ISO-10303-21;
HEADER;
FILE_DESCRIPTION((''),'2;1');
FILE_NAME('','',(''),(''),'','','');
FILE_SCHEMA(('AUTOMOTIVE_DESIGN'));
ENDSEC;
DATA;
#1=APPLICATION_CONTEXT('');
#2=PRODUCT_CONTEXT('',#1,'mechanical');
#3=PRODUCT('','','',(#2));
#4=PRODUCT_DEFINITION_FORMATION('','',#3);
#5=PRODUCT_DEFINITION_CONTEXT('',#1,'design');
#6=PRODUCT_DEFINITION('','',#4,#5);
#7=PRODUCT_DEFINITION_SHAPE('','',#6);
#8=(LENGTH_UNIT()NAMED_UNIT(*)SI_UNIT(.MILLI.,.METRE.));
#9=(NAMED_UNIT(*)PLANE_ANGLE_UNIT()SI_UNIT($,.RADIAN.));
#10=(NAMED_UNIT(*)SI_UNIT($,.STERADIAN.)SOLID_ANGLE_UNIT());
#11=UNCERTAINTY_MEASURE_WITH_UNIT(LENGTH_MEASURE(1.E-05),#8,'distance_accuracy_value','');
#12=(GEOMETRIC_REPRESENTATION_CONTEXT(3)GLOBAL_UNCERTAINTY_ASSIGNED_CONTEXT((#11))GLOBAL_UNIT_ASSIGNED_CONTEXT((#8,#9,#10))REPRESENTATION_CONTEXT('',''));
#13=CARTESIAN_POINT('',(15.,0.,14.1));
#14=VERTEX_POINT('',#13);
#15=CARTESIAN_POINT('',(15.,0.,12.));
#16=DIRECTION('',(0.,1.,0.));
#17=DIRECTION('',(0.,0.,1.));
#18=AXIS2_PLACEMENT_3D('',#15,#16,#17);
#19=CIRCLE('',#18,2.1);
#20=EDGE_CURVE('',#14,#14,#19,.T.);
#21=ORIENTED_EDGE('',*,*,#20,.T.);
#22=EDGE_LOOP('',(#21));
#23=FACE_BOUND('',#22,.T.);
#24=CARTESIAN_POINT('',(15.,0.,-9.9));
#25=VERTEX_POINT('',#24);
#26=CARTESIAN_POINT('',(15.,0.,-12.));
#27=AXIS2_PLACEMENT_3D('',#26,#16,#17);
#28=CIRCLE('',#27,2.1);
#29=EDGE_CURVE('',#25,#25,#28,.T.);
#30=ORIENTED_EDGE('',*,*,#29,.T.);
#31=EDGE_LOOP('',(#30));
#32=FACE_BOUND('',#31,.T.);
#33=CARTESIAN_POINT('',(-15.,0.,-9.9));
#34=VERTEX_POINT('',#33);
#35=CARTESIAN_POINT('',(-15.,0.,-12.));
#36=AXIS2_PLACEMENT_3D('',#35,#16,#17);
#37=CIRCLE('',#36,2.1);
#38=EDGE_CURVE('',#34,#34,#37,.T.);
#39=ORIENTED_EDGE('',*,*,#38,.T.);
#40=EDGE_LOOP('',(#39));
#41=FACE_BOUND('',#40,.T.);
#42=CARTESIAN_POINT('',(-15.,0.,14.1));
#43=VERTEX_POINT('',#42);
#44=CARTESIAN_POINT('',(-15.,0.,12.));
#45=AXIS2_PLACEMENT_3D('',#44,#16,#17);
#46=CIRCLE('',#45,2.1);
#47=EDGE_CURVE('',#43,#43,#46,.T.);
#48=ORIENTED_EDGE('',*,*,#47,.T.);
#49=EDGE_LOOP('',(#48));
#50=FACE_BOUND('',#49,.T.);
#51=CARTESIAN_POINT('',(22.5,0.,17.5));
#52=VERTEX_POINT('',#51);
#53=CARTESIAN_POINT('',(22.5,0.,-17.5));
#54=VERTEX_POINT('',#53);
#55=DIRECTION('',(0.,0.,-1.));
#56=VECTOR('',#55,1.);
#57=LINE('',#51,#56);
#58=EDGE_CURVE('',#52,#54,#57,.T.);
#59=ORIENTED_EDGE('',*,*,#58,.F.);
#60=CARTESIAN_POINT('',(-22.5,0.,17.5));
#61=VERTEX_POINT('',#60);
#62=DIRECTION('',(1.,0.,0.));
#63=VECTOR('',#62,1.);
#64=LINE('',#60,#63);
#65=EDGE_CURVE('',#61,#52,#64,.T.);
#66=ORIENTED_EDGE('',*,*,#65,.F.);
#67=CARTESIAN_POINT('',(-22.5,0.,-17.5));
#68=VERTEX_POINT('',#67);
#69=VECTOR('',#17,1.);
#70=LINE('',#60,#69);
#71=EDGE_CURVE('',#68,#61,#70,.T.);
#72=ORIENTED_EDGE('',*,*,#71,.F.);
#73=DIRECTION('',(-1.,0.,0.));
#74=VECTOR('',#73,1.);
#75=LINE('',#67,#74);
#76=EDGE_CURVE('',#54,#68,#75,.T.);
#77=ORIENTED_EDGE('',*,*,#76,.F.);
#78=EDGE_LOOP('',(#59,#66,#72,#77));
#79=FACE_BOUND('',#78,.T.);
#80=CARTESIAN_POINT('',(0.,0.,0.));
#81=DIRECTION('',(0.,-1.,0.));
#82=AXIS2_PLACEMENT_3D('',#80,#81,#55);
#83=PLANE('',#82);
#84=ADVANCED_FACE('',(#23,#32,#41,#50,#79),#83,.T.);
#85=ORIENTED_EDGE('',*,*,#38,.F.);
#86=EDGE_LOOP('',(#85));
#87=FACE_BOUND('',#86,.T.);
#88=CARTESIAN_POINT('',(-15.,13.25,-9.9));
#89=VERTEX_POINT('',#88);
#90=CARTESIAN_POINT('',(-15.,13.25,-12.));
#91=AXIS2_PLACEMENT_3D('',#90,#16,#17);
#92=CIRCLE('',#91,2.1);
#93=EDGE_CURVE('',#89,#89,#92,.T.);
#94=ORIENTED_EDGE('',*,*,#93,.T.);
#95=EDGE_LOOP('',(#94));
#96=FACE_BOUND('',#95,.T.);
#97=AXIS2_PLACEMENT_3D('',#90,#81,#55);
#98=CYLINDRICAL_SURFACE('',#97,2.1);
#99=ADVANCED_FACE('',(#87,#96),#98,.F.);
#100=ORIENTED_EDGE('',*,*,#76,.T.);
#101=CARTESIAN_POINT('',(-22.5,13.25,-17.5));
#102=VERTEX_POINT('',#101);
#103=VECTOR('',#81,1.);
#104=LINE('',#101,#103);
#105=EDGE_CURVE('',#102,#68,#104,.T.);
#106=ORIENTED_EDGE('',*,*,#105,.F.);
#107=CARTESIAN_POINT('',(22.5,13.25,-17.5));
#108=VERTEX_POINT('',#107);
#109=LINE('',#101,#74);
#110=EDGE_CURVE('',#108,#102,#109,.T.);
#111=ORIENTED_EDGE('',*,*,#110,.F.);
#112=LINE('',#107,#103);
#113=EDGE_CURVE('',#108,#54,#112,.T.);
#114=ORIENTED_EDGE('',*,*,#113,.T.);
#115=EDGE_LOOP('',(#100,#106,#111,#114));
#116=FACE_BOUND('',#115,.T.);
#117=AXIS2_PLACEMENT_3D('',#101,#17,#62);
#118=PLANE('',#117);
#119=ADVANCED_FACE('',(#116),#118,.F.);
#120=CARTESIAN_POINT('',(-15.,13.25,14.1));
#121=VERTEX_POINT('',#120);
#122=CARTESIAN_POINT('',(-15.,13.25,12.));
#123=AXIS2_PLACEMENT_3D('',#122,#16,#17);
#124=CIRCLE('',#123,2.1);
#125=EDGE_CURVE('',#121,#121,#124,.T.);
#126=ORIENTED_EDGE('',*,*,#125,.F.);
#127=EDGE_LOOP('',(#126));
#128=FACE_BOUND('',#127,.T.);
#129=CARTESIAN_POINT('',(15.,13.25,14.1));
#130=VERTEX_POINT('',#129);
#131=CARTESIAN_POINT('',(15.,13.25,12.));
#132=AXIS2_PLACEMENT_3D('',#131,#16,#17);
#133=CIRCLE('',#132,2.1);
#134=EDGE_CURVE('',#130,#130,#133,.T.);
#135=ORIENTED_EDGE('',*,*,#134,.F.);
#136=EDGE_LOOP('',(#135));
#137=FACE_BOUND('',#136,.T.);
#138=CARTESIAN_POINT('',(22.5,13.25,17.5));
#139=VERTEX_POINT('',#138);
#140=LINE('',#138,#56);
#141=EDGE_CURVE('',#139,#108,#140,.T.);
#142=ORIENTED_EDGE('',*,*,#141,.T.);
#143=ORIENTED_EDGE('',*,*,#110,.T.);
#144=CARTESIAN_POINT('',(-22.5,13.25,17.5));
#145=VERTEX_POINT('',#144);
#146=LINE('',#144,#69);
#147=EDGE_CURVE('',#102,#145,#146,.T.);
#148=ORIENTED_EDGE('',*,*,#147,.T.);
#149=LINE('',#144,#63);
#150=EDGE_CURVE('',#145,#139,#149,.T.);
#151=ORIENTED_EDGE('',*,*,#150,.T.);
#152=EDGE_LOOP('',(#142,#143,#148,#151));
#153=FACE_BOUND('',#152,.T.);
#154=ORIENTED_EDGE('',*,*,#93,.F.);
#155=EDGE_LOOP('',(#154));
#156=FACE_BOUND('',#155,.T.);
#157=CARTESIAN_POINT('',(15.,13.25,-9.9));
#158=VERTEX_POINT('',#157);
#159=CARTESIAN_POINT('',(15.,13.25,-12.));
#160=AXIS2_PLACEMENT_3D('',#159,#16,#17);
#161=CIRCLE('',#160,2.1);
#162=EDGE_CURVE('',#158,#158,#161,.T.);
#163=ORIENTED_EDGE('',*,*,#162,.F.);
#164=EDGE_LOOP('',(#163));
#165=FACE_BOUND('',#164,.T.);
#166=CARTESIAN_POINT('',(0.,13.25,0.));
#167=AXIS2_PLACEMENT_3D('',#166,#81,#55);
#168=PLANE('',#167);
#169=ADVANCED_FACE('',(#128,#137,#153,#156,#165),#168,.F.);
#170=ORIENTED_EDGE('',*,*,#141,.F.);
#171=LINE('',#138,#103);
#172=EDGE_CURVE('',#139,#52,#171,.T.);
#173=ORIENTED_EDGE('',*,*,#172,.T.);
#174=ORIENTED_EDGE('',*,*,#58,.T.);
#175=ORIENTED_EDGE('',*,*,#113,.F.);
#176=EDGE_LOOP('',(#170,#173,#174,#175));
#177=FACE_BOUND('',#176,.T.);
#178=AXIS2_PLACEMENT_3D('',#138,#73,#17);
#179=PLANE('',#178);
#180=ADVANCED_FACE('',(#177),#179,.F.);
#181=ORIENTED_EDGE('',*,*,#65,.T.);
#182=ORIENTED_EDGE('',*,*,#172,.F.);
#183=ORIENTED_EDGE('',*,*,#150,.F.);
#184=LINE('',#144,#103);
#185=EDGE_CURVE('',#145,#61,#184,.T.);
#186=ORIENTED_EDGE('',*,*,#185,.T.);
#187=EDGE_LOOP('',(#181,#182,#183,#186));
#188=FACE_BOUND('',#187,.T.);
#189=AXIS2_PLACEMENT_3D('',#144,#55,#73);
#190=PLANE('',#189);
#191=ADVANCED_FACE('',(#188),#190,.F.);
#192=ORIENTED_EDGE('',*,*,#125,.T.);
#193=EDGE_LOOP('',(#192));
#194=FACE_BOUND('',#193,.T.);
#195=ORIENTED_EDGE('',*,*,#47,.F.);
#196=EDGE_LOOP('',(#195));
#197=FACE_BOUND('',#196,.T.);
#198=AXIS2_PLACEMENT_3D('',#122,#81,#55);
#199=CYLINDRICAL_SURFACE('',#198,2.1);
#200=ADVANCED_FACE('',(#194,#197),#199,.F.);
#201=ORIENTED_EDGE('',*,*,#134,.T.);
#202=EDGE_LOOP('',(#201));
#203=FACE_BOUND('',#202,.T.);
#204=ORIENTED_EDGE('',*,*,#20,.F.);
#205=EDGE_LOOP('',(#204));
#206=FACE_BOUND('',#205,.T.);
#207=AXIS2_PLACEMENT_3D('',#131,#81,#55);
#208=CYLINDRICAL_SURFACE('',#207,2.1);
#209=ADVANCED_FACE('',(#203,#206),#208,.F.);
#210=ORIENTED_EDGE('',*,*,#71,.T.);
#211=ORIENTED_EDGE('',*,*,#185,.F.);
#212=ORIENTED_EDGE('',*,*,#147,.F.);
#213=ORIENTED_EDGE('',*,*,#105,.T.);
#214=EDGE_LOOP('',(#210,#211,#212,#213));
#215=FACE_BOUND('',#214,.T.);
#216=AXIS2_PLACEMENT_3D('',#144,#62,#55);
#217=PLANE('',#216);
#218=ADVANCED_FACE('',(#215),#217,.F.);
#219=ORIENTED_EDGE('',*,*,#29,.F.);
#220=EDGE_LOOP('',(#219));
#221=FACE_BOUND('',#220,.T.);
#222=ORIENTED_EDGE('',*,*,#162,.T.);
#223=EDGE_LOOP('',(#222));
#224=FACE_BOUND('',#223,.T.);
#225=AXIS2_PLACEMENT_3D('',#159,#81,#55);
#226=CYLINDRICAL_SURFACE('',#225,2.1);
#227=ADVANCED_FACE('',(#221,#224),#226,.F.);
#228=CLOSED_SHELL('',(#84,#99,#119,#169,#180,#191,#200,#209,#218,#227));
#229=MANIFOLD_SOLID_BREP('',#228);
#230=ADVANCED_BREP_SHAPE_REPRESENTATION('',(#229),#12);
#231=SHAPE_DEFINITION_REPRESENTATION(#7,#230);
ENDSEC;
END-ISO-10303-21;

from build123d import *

# Parameters (mm, degrees)
SKETCH_1_W      = 45
SKETCH_1_H      = 35
SKETCH_1_R      = 2.1
EXTRUDE_1_DEPTH = 13.25


with BuildPart() as part:
    # 草图1 → 凸台-拉伸1 (new body)
    with BuildSketch(Plane(origin=(0, 0, 0), x_dir=(1, 0, 0), z_dir=(0, 1, 0))):
        Rectangle(SKETCH_1_W, SKETCH_1_H)
        with Locations(Location((-15, 12, 0), (0, 0, 270))):
            Circle(SKETCH_1_R, mode=Mode.SUBTRACT)
        with Locations(Location((15, 12, 0), (0, 0, 270))):
            Circle(SKETCH_1_R, mode=Mode.SUBTRACT)
        with Locations(Location((15, -12, 0), (0, 0, 270))):
            Circle(SKETCH_1_R, mode=Mode.SUBTRACT)
        with Locations(Location((-15, -12, 0), (0, 0, 270))):
            Circle(SKETCH_1_R, mode=Mode.SUBTRACT)
    extrude(amount=EXTRUDE_1_DEPTH)


solid = part.part
